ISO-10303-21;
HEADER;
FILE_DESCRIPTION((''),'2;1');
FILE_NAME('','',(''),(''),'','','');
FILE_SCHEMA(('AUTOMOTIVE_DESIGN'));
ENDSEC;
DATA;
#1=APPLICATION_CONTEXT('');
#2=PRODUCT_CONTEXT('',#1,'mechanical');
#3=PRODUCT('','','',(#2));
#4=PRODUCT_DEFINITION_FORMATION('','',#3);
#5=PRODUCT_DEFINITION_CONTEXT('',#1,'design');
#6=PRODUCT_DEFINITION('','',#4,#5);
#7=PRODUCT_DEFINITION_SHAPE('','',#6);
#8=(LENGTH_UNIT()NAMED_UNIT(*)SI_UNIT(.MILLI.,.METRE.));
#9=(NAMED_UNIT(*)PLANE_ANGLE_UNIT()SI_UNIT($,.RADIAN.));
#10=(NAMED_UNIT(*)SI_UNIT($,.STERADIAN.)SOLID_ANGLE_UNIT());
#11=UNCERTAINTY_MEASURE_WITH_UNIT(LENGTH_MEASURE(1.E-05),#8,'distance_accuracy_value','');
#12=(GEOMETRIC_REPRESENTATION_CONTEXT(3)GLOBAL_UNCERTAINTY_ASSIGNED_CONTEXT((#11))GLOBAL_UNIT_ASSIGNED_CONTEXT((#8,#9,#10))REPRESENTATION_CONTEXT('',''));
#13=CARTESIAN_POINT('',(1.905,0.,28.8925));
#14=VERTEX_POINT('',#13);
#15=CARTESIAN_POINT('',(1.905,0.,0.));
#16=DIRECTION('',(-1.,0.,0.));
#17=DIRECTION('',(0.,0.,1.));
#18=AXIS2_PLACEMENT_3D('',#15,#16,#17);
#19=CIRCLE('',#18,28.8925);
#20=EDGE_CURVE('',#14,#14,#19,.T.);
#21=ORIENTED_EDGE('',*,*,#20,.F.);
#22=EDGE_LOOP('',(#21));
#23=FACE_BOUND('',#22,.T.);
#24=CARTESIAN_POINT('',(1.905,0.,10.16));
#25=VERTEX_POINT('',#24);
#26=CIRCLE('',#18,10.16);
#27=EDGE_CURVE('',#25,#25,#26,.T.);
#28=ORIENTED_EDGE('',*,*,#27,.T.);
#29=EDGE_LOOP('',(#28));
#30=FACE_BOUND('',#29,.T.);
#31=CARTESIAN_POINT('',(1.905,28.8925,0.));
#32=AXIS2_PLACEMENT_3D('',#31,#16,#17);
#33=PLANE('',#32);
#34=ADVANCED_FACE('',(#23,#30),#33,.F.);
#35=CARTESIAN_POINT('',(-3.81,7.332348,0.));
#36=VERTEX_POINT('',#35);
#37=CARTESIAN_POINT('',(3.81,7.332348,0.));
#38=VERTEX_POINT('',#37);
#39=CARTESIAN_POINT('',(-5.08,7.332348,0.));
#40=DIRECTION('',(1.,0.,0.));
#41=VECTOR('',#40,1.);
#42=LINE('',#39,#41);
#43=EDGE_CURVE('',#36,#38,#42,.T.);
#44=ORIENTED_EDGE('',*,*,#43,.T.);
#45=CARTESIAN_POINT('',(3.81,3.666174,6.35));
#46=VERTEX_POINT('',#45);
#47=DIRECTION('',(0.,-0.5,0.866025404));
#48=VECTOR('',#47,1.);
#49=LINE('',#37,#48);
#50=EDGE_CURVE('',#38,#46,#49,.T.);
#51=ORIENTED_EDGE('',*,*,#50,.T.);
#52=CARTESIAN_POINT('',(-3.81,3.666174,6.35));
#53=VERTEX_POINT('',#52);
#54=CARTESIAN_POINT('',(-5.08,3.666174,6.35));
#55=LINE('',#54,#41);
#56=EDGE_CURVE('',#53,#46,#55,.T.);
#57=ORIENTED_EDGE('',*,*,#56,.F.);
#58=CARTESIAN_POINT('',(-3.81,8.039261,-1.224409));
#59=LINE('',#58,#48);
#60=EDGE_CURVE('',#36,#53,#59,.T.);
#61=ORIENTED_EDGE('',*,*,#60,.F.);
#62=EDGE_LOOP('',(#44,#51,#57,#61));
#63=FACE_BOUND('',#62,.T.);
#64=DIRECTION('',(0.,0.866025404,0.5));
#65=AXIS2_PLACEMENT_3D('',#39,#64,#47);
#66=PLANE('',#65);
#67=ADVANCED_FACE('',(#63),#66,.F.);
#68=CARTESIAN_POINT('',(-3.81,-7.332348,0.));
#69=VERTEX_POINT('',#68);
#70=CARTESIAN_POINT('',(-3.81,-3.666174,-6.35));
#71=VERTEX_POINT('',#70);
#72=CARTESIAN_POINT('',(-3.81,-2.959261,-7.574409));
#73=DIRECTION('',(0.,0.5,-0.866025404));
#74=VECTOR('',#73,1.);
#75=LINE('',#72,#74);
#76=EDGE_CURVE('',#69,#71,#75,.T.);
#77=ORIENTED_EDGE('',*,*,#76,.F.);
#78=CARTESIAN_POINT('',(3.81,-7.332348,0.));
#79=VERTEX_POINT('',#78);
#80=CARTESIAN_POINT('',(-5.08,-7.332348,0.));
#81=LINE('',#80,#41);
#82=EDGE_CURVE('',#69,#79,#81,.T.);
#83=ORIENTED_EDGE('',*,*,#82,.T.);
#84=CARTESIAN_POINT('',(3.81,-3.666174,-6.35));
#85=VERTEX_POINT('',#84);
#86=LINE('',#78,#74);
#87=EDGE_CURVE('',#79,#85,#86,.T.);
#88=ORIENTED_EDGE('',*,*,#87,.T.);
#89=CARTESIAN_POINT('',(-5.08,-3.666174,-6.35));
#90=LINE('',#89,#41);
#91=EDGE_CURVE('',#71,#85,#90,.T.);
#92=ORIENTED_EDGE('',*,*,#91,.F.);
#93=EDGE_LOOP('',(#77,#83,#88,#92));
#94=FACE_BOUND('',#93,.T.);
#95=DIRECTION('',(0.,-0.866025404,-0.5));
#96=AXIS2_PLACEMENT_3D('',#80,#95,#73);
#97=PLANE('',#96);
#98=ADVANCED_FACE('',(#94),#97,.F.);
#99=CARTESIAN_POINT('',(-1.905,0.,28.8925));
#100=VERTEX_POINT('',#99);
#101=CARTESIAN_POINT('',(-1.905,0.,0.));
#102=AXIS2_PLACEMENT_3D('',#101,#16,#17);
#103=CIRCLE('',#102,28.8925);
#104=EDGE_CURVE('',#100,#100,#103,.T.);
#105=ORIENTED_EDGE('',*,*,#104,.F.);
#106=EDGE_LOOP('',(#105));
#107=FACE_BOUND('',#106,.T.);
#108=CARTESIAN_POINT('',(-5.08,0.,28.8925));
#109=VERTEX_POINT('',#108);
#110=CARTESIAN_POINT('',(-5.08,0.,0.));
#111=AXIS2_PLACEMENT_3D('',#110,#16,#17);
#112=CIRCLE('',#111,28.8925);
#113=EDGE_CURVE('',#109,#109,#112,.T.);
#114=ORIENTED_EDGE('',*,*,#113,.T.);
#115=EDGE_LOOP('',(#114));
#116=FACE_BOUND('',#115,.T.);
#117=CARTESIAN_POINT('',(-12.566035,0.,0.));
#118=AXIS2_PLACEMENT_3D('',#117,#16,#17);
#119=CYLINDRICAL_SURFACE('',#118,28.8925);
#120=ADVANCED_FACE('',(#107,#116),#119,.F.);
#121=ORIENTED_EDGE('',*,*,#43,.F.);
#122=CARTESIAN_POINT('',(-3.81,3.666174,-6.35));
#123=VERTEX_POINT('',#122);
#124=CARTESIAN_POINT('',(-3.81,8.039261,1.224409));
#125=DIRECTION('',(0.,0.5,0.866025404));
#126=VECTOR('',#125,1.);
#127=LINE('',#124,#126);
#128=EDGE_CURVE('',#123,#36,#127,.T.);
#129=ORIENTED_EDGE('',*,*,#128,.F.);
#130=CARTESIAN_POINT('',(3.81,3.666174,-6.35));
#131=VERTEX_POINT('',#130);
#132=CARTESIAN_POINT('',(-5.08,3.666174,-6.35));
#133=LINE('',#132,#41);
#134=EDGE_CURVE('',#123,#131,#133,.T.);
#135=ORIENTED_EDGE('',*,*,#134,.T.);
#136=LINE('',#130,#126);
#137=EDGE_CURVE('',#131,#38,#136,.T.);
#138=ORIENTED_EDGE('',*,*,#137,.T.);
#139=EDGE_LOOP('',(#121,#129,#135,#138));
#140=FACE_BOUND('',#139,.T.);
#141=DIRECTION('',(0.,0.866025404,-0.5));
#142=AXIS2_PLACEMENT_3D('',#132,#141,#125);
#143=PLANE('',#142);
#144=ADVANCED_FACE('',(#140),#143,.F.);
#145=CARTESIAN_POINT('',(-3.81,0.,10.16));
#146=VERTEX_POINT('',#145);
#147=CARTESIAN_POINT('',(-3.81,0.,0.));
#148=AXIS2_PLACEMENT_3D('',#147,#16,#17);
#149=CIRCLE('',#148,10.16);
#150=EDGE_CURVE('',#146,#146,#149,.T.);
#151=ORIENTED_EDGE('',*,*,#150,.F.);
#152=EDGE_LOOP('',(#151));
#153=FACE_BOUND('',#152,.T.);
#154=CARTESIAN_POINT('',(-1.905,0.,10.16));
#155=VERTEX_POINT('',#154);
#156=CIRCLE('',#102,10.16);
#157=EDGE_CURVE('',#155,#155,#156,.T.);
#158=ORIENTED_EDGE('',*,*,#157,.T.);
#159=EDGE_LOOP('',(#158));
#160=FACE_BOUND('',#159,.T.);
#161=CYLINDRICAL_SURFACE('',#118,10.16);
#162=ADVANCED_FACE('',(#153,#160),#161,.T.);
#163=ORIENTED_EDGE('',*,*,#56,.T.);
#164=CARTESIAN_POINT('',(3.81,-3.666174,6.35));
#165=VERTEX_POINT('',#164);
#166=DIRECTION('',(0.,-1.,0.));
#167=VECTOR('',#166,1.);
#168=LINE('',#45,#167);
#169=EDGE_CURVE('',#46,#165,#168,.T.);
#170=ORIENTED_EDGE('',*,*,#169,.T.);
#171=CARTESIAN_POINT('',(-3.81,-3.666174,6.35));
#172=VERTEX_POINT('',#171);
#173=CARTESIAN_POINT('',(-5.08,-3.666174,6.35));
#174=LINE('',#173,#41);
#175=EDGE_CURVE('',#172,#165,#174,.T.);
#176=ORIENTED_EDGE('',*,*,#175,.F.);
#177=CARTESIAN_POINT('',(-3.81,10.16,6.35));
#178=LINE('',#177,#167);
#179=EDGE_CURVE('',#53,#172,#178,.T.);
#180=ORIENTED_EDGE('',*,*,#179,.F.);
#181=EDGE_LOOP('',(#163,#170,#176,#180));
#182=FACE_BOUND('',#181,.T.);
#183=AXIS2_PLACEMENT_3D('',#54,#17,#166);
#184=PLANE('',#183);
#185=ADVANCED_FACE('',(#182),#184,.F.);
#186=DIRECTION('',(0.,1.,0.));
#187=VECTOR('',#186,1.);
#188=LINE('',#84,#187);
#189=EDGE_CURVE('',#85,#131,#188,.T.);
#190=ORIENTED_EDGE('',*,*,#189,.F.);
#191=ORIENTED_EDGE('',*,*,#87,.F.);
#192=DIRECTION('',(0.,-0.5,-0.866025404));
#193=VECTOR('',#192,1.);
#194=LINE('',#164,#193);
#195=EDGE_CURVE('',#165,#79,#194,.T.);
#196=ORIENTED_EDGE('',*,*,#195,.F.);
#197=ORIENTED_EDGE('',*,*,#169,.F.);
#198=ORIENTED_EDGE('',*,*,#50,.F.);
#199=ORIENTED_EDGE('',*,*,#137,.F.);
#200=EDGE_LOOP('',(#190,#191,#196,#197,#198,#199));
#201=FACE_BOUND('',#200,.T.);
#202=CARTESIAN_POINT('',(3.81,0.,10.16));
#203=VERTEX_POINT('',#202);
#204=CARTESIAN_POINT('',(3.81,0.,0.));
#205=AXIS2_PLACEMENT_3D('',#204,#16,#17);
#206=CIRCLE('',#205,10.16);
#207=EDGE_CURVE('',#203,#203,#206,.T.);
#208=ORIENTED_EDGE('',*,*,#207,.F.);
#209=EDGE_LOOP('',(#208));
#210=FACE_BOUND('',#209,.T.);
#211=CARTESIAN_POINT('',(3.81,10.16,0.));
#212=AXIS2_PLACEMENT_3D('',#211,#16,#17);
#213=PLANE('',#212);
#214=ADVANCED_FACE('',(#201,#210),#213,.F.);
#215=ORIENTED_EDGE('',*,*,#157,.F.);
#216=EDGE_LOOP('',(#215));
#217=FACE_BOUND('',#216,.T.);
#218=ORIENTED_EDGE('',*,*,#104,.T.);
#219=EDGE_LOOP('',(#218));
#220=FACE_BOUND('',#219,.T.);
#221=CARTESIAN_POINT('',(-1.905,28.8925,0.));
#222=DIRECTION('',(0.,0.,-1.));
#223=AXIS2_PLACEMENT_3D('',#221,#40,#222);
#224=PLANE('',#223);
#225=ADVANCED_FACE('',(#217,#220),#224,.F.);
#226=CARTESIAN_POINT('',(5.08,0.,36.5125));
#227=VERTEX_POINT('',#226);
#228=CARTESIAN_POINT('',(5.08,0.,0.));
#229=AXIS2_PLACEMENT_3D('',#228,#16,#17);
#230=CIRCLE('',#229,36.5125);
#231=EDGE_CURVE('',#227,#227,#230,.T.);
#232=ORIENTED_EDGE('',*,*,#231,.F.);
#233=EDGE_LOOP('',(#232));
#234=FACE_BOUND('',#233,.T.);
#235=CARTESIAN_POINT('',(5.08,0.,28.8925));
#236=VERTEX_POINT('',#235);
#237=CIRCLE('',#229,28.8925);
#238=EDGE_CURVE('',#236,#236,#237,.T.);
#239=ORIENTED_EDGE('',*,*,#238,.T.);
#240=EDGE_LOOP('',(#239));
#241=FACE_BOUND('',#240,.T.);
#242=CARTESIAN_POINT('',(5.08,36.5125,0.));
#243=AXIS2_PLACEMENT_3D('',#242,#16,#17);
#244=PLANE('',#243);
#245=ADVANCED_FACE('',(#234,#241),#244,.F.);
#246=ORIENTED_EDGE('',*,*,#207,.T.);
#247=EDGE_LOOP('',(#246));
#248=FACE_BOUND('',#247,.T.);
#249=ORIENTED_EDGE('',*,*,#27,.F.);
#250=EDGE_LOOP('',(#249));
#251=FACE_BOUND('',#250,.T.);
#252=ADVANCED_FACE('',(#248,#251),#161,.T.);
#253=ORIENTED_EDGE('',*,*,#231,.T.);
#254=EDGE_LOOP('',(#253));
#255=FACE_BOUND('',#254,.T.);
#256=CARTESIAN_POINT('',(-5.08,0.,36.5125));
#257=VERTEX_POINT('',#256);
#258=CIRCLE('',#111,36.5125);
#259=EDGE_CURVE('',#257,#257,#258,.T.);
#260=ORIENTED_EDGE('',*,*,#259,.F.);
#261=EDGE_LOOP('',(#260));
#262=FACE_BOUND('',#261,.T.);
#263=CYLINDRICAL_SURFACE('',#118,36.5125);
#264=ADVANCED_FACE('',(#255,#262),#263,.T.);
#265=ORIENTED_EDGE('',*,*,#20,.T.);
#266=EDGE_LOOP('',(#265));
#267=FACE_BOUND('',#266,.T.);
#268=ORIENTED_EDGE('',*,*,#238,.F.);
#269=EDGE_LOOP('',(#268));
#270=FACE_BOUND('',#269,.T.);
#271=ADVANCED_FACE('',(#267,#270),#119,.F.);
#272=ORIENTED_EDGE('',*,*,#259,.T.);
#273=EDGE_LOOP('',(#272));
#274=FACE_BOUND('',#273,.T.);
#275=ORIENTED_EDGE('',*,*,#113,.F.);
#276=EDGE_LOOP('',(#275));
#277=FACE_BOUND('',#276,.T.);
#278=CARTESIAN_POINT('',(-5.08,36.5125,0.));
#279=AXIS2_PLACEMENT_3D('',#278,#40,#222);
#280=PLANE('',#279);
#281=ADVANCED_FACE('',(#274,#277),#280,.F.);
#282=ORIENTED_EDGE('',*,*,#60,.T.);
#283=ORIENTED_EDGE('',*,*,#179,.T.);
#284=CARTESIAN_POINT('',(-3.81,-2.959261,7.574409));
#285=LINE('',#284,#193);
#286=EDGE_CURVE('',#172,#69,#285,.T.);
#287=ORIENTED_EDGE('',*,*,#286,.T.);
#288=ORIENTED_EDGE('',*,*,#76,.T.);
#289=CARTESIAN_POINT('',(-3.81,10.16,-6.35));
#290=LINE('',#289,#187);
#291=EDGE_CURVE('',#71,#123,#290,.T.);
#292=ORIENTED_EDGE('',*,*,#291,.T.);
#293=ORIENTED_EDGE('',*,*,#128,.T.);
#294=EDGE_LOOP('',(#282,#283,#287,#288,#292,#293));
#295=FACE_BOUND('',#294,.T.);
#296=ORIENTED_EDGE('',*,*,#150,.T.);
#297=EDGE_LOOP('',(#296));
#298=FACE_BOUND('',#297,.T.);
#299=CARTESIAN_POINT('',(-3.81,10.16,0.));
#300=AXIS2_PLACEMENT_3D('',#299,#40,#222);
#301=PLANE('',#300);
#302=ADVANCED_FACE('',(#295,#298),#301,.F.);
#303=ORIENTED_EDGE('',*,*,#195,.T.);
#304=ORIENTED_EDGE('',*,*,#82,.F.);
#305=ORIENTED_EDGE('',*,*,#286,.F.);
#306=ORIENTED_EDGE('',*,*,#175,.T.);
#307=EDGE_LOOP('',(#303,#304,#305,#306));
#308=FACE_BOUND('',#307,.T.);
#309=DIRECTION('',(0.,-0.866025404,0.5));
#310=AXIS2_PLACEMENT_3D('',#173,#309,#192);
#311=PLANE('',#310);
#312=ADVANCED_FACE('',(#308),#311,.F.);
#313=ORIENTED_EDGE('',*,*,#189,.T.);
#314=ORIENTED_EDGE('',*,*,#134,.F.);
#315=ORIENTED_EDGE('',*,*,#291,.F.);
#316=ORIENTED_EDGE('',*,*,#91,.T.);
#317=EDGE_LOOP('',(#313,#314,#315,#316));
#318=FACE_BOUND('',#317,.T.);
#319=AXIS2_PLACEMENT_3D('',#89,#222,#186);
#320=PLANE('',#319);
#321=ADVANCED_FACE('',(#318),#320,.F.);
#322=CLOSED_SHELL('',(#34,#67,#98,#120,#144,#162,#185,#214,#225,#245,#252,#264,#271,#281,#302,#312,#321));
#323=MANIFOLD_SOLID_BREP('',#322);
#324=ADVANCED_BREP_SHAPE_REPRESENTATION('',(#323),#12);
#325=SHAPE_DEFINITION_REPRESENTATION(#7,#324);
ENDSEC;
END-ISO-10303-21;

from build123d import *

# Parameters (mm, degrees)
ENL_V_MAT_EXTRU_1_DEPTH = 53.396158375


with BuildPart() as part:
    # Esquisse1 → Révolution1 (revolve)
    with BuildSketch(Plane.XY, mode=Mode.PRIVATE) as r_volution1_sk:
        Polygon((-5.08, 36.5125), (5.08, 36.5125), (5.08, 28.8925), (1.905, 28.8925), (1.905, 10.16), (3.81, 10.16), (3.81, 0), (-3.81, 0), (-3.81, 10.16), (-1.905, 10.16), (-1.905, 28.8925), (-5.08, 28.8925), align=None)
    revolve(r_volution1_sk.sketch.rotate(Axis((-12.56603466, 0, 0), (1, 0, 0)), 90), axis=Axis((-12.56603466, 0, 0), (1, 0, 0)))

    # Esquisse2 → Enlèv. mat.-Extru.1 (cut, through all)
    with BuildSketch(Plane(origin=(3.81, 0, 0), x_dir=(0, 0, -1), z_dir=(1, 0, 0))):
        Polygon((0, 7.332348419), (-6.35, 3.666174209), (-6.35, -3.666174209), (0, -7.332348419), (6.35, -3.666174209), (6.35, 3.666174209), align=None)
    extrude(amount=-ENL_V_MAT_EXTRU_1_DEPTH, mode=Mode.SUBTRACT)


solid = part.part
